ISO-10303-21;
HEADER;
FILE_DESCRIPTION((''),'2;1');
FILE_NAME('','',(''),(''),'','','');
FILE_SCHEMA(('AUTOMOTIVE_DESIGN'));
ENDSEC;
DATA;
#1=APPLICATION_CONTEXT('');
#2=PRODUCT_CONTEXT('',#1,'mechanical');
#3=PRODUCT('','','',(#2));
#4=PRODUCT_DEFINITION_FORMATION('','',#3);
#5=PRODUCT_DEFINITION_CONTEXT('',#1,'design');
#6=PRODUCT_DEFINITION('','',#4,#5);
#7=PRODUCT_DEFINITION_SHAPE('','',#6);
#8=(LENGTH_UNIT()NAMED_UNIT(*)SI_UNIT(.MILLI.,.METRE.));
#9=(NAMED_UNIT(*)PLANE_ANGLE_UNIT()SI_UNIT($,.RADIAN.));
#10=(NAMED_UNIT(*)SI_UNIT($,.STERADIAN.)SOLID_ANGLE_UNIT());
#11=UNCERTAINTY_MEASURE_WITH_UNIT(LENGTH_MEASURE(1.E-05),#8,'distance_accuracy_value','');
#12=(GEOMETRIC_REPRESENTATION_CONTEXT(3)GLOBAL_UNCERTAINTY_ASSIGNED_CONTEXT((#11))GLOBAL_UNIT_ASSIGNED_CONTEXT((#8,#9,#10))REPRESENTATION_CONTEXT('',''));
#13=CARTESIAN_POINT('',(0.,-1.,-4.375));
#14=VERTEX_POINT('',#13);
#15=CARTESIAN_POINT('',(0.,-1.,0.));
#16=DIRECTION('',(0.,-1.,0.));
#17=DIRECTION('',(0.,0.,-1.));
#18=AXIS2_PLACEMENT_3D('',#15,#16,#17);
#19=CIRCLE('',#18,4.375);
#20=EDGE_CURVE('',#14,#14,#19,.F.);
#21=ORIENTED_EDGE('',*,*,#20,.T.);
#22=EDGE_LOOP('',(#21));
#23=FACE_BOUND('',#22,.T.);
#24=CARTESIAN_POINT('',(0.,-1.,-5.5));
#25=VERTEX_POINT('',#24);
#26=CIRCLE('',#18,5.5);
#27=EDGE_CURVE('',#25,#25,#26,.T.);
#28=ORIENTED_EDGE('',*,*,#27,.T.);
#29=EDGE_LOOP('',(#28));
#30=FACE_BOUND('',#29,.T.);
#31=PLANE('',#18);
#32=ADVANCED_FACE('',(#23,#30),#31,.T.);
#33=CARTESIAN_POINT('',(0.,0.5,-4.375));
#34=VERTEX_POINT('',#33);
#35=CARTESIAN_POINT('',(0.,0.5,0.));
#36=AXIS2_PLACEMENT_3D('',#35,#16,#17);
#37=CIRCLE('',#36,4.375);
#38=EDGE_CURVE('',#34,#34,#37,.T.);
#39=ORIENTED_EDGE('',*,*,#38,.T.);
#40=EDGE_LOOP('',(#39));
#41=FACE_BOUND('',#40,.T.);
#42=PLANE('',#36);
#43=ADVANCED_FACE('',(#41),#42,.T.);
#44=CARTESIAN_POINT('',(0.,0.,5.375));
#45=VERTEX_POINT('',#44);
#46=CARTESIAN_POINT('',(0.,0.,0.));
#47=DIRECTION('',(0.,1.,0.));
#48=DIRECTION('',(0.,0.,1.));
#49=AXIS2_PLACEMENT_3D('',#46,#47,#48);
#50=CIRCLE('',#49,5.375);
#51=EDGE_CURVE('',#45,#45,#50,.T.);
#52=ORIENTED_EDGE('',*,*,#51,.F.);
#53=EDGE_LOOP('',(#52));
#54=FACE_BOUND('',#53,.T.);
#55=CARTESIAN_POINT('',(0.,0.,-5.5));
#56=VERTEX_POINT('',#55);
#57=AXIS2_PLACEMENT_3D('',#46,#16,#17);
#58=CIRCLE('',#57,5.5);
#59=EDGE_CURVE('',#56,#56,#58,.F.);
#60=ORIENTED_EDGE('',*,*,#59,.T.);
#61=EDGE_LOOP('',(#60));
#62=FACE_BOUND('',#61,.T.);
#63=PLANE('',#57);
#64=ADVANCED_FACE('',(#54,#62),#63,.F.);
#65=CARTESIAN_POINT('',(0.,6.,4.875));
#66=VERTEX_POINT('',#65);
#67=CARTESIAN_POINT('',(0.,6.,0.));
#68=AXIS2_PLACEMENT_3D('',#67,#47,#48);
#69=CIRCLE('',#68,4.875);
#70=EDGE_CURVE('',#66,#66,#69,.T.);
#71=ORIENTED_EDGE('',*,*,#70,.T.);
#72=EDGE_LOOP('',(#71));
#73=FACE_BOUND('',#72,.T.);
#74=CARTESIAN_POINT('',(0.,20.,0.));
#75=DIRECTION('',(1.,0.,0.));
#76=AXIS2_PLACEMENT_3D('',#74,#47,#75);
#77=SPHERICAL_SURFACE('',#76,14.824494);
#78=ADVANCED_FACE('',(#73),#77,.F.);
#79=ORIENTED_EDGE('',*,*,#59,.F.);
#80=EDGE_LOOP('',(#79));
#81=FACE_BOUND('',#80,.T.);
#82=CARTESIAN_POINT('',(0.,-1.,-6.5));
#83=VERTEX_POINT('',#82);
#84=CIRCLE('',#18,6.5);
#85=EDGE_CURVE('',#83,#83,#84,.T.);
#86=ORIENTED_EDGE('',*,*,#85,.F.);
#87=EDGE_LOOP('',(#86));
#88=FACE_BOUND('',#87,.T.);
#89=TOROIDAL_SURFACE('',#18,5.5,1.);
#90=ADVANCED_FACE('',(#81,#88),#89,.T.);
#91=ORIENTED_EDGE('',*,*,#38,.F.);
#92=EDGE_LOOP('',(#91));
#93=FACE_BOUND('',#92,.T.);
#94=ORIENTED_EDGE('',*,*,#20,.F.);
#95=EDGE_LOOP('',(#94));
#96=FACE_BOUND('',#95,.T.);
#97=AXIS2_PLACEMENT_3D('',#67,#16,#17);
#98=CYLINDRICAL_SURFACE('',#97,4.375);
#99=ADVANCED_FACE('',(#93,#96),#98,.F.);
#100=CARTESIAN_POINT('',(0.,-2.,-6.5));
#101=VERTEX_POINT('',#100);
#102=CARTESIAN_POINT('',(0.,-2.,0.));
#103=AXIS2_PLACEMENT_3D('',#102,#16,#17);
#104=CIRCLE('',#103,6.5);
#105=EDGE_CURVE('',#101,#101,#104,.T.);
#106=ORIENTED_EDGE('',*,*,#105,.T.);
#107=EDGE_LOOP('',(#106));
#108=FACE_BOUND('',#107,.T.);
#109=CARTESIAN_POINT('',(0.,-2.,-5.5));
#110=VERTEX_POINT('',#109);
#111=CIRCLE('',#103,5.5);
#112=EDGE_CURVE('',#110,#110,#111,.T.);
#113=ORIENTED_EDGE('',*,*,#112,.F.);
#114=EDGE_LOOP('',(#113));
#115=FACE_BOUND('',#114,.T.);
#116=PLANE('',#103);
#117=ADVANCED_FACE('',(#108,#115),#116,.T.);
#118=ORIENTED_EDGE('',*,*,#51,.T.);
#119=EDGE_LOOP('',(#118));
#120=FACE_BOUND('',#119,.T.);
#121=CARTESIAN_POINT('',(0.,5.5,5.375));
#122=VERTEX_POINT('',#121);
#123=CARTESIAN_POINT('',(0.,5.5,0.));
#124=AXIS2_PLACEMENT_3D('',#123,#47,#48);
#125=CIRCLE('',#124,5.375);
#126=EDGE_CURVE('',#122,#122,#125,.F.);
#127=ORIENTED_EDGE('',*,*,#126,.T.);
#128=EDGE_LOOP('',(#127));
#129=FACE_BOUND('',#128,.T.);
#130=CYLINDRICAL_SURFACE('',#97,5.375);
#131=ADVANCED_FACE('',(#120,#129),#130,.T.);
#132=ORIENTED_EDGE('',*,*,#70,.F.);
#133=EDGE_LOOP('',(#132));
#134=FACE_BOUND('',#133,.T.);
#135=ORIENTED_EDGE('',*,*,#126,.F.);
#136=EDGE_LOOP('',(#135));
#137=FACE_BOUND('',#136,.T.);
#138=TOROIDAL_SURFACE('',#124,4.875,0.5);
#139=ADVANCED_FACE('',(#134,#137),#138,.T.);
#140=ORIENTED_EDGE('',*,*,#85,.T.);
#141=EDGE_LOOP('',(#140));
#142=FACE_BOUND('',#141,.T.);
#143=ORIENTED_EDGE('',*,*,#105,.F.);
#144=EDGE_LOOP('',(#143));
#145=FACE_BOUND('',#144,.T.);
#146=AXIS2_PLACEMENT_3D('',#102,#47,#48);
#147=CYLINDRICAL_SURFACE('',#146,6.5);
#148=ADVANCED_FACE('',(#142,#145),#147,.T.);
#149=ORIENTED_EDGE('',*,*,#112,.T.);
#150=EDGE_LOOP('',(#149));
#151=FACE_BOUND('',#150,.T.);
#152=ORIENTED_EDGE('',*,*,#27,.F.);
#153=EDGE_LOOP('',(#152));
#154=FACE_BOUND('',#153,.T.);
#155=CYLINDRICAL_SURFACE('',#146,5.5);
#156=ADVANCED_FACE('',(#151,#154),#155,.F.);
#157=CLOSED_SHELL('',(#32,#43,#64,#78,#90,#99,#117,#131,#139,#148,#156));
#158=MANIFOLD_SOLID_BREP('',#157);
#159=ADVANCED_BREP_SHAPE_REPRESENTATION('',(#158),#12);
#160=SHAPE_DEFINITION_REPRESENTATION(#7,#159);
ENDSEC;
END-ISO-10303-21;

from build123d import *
from OCP.BRepFilletAPI import BRepFilletAPI_MakeFillet

# Parameters (mm, degrees)
CROQUIS1_R              = 5.375
SALIENTE_EXTRUIR1_DEPTH = 6
CROQUIS2_R              = 6.5
SALIENTE_EXTRUIR2_DEPTH = 2
VACIADO1_T              = -1
SALIENTE_EXTRUIR3_START = 4.5
CROQUIS3_R              = 4.375
SALIENTE_EXTRUIR3_DEPTH = 4.5
REDONDEO1_R1            = 0.5
REDONDEO1_R2            = 1


with BuildPart() as part:
    # Croquis1 → Saliente-Extruir1 (new body)
    with BuildSketch(Plane(origin=(0, 0, 0), x_dir=(1, 0, 0), z_dir=(0, 1, 0))):
        Circle(CROQUIS1_R)
    extrude(amount=SALIENTE_EXTRUIR1_DEPTH)

    # Croquis2 → Saliente-Extruir2 (add)
    with BuildSketch(Plane.XZ):
        Circle(CROQUIS2_R)
    extrude(amount=SALIENTE_EXTRUIR2_DEPTH)

    # Vaciado1
    vaciado1_openings = [part.faces().sort_by_distance(p)[0] for p in [
        (0, -2, 0),
    ]]
    offset(amount=VACIADO1_T, openings=vaciado1_openings, kind=Kind.INTERSECTION)

    # Croquis3 → Saliente-Extruir3 (add)
    with BuildSketch(Plane.XZ.offset(-5).offset(SALIENTE_EXTRUIR3_START)):
        Circle(CROQUIS3_R)
    extrude(amount=-SALIENTE_EXTRUIR3_DEPTH)

    # Redondeo1: one fillet with a radius per group of edges: ONE call of the kernel's fillet builder (fillet() takes one radius for all edges)
    redondeo1_edges_1 = [part.edges().sort_by_distance(p)[0] for p in [
        (-5.375, 6, 0),
    ]]
    redondeo1_edges_2 = [part.edges().sort_by_distance(p)[0] for p in [
        (-6.5, 0, 0),
    ]]
    redondeo1 = BRepFilletAPI_MakeFillet(part.part.solid().wrapped)
    for e in redondeo1_edges_1:
        redondeo1.Add(REDONDEO1_R1, e.wrapped)
    for e in redondeo1_edges_2:
        redondeo1.Add(REDONDEO1_R2, e.wrapped)
    add(Compound.cast(redondeo1.Shape()), mode=Mode.REPLACE)

    # Croquis4 → Cortar-Revolución4 (revolve, cut)
    with BuildSketch(Plane.XY):
        with BuildLine():
            Line((0, 20), (0, 5.175505911))
            ThreePointArc((0, 5.175505911), (-14.824494089, 20), (0, 34.824494089))
            Line((0, 34.824494089), (0, 20))
        make_face()
    revolve(axis=Axis((0, 20, 0), (0, -1, 0)), mode=Mode.SUBTRACT)


solid = part.part
